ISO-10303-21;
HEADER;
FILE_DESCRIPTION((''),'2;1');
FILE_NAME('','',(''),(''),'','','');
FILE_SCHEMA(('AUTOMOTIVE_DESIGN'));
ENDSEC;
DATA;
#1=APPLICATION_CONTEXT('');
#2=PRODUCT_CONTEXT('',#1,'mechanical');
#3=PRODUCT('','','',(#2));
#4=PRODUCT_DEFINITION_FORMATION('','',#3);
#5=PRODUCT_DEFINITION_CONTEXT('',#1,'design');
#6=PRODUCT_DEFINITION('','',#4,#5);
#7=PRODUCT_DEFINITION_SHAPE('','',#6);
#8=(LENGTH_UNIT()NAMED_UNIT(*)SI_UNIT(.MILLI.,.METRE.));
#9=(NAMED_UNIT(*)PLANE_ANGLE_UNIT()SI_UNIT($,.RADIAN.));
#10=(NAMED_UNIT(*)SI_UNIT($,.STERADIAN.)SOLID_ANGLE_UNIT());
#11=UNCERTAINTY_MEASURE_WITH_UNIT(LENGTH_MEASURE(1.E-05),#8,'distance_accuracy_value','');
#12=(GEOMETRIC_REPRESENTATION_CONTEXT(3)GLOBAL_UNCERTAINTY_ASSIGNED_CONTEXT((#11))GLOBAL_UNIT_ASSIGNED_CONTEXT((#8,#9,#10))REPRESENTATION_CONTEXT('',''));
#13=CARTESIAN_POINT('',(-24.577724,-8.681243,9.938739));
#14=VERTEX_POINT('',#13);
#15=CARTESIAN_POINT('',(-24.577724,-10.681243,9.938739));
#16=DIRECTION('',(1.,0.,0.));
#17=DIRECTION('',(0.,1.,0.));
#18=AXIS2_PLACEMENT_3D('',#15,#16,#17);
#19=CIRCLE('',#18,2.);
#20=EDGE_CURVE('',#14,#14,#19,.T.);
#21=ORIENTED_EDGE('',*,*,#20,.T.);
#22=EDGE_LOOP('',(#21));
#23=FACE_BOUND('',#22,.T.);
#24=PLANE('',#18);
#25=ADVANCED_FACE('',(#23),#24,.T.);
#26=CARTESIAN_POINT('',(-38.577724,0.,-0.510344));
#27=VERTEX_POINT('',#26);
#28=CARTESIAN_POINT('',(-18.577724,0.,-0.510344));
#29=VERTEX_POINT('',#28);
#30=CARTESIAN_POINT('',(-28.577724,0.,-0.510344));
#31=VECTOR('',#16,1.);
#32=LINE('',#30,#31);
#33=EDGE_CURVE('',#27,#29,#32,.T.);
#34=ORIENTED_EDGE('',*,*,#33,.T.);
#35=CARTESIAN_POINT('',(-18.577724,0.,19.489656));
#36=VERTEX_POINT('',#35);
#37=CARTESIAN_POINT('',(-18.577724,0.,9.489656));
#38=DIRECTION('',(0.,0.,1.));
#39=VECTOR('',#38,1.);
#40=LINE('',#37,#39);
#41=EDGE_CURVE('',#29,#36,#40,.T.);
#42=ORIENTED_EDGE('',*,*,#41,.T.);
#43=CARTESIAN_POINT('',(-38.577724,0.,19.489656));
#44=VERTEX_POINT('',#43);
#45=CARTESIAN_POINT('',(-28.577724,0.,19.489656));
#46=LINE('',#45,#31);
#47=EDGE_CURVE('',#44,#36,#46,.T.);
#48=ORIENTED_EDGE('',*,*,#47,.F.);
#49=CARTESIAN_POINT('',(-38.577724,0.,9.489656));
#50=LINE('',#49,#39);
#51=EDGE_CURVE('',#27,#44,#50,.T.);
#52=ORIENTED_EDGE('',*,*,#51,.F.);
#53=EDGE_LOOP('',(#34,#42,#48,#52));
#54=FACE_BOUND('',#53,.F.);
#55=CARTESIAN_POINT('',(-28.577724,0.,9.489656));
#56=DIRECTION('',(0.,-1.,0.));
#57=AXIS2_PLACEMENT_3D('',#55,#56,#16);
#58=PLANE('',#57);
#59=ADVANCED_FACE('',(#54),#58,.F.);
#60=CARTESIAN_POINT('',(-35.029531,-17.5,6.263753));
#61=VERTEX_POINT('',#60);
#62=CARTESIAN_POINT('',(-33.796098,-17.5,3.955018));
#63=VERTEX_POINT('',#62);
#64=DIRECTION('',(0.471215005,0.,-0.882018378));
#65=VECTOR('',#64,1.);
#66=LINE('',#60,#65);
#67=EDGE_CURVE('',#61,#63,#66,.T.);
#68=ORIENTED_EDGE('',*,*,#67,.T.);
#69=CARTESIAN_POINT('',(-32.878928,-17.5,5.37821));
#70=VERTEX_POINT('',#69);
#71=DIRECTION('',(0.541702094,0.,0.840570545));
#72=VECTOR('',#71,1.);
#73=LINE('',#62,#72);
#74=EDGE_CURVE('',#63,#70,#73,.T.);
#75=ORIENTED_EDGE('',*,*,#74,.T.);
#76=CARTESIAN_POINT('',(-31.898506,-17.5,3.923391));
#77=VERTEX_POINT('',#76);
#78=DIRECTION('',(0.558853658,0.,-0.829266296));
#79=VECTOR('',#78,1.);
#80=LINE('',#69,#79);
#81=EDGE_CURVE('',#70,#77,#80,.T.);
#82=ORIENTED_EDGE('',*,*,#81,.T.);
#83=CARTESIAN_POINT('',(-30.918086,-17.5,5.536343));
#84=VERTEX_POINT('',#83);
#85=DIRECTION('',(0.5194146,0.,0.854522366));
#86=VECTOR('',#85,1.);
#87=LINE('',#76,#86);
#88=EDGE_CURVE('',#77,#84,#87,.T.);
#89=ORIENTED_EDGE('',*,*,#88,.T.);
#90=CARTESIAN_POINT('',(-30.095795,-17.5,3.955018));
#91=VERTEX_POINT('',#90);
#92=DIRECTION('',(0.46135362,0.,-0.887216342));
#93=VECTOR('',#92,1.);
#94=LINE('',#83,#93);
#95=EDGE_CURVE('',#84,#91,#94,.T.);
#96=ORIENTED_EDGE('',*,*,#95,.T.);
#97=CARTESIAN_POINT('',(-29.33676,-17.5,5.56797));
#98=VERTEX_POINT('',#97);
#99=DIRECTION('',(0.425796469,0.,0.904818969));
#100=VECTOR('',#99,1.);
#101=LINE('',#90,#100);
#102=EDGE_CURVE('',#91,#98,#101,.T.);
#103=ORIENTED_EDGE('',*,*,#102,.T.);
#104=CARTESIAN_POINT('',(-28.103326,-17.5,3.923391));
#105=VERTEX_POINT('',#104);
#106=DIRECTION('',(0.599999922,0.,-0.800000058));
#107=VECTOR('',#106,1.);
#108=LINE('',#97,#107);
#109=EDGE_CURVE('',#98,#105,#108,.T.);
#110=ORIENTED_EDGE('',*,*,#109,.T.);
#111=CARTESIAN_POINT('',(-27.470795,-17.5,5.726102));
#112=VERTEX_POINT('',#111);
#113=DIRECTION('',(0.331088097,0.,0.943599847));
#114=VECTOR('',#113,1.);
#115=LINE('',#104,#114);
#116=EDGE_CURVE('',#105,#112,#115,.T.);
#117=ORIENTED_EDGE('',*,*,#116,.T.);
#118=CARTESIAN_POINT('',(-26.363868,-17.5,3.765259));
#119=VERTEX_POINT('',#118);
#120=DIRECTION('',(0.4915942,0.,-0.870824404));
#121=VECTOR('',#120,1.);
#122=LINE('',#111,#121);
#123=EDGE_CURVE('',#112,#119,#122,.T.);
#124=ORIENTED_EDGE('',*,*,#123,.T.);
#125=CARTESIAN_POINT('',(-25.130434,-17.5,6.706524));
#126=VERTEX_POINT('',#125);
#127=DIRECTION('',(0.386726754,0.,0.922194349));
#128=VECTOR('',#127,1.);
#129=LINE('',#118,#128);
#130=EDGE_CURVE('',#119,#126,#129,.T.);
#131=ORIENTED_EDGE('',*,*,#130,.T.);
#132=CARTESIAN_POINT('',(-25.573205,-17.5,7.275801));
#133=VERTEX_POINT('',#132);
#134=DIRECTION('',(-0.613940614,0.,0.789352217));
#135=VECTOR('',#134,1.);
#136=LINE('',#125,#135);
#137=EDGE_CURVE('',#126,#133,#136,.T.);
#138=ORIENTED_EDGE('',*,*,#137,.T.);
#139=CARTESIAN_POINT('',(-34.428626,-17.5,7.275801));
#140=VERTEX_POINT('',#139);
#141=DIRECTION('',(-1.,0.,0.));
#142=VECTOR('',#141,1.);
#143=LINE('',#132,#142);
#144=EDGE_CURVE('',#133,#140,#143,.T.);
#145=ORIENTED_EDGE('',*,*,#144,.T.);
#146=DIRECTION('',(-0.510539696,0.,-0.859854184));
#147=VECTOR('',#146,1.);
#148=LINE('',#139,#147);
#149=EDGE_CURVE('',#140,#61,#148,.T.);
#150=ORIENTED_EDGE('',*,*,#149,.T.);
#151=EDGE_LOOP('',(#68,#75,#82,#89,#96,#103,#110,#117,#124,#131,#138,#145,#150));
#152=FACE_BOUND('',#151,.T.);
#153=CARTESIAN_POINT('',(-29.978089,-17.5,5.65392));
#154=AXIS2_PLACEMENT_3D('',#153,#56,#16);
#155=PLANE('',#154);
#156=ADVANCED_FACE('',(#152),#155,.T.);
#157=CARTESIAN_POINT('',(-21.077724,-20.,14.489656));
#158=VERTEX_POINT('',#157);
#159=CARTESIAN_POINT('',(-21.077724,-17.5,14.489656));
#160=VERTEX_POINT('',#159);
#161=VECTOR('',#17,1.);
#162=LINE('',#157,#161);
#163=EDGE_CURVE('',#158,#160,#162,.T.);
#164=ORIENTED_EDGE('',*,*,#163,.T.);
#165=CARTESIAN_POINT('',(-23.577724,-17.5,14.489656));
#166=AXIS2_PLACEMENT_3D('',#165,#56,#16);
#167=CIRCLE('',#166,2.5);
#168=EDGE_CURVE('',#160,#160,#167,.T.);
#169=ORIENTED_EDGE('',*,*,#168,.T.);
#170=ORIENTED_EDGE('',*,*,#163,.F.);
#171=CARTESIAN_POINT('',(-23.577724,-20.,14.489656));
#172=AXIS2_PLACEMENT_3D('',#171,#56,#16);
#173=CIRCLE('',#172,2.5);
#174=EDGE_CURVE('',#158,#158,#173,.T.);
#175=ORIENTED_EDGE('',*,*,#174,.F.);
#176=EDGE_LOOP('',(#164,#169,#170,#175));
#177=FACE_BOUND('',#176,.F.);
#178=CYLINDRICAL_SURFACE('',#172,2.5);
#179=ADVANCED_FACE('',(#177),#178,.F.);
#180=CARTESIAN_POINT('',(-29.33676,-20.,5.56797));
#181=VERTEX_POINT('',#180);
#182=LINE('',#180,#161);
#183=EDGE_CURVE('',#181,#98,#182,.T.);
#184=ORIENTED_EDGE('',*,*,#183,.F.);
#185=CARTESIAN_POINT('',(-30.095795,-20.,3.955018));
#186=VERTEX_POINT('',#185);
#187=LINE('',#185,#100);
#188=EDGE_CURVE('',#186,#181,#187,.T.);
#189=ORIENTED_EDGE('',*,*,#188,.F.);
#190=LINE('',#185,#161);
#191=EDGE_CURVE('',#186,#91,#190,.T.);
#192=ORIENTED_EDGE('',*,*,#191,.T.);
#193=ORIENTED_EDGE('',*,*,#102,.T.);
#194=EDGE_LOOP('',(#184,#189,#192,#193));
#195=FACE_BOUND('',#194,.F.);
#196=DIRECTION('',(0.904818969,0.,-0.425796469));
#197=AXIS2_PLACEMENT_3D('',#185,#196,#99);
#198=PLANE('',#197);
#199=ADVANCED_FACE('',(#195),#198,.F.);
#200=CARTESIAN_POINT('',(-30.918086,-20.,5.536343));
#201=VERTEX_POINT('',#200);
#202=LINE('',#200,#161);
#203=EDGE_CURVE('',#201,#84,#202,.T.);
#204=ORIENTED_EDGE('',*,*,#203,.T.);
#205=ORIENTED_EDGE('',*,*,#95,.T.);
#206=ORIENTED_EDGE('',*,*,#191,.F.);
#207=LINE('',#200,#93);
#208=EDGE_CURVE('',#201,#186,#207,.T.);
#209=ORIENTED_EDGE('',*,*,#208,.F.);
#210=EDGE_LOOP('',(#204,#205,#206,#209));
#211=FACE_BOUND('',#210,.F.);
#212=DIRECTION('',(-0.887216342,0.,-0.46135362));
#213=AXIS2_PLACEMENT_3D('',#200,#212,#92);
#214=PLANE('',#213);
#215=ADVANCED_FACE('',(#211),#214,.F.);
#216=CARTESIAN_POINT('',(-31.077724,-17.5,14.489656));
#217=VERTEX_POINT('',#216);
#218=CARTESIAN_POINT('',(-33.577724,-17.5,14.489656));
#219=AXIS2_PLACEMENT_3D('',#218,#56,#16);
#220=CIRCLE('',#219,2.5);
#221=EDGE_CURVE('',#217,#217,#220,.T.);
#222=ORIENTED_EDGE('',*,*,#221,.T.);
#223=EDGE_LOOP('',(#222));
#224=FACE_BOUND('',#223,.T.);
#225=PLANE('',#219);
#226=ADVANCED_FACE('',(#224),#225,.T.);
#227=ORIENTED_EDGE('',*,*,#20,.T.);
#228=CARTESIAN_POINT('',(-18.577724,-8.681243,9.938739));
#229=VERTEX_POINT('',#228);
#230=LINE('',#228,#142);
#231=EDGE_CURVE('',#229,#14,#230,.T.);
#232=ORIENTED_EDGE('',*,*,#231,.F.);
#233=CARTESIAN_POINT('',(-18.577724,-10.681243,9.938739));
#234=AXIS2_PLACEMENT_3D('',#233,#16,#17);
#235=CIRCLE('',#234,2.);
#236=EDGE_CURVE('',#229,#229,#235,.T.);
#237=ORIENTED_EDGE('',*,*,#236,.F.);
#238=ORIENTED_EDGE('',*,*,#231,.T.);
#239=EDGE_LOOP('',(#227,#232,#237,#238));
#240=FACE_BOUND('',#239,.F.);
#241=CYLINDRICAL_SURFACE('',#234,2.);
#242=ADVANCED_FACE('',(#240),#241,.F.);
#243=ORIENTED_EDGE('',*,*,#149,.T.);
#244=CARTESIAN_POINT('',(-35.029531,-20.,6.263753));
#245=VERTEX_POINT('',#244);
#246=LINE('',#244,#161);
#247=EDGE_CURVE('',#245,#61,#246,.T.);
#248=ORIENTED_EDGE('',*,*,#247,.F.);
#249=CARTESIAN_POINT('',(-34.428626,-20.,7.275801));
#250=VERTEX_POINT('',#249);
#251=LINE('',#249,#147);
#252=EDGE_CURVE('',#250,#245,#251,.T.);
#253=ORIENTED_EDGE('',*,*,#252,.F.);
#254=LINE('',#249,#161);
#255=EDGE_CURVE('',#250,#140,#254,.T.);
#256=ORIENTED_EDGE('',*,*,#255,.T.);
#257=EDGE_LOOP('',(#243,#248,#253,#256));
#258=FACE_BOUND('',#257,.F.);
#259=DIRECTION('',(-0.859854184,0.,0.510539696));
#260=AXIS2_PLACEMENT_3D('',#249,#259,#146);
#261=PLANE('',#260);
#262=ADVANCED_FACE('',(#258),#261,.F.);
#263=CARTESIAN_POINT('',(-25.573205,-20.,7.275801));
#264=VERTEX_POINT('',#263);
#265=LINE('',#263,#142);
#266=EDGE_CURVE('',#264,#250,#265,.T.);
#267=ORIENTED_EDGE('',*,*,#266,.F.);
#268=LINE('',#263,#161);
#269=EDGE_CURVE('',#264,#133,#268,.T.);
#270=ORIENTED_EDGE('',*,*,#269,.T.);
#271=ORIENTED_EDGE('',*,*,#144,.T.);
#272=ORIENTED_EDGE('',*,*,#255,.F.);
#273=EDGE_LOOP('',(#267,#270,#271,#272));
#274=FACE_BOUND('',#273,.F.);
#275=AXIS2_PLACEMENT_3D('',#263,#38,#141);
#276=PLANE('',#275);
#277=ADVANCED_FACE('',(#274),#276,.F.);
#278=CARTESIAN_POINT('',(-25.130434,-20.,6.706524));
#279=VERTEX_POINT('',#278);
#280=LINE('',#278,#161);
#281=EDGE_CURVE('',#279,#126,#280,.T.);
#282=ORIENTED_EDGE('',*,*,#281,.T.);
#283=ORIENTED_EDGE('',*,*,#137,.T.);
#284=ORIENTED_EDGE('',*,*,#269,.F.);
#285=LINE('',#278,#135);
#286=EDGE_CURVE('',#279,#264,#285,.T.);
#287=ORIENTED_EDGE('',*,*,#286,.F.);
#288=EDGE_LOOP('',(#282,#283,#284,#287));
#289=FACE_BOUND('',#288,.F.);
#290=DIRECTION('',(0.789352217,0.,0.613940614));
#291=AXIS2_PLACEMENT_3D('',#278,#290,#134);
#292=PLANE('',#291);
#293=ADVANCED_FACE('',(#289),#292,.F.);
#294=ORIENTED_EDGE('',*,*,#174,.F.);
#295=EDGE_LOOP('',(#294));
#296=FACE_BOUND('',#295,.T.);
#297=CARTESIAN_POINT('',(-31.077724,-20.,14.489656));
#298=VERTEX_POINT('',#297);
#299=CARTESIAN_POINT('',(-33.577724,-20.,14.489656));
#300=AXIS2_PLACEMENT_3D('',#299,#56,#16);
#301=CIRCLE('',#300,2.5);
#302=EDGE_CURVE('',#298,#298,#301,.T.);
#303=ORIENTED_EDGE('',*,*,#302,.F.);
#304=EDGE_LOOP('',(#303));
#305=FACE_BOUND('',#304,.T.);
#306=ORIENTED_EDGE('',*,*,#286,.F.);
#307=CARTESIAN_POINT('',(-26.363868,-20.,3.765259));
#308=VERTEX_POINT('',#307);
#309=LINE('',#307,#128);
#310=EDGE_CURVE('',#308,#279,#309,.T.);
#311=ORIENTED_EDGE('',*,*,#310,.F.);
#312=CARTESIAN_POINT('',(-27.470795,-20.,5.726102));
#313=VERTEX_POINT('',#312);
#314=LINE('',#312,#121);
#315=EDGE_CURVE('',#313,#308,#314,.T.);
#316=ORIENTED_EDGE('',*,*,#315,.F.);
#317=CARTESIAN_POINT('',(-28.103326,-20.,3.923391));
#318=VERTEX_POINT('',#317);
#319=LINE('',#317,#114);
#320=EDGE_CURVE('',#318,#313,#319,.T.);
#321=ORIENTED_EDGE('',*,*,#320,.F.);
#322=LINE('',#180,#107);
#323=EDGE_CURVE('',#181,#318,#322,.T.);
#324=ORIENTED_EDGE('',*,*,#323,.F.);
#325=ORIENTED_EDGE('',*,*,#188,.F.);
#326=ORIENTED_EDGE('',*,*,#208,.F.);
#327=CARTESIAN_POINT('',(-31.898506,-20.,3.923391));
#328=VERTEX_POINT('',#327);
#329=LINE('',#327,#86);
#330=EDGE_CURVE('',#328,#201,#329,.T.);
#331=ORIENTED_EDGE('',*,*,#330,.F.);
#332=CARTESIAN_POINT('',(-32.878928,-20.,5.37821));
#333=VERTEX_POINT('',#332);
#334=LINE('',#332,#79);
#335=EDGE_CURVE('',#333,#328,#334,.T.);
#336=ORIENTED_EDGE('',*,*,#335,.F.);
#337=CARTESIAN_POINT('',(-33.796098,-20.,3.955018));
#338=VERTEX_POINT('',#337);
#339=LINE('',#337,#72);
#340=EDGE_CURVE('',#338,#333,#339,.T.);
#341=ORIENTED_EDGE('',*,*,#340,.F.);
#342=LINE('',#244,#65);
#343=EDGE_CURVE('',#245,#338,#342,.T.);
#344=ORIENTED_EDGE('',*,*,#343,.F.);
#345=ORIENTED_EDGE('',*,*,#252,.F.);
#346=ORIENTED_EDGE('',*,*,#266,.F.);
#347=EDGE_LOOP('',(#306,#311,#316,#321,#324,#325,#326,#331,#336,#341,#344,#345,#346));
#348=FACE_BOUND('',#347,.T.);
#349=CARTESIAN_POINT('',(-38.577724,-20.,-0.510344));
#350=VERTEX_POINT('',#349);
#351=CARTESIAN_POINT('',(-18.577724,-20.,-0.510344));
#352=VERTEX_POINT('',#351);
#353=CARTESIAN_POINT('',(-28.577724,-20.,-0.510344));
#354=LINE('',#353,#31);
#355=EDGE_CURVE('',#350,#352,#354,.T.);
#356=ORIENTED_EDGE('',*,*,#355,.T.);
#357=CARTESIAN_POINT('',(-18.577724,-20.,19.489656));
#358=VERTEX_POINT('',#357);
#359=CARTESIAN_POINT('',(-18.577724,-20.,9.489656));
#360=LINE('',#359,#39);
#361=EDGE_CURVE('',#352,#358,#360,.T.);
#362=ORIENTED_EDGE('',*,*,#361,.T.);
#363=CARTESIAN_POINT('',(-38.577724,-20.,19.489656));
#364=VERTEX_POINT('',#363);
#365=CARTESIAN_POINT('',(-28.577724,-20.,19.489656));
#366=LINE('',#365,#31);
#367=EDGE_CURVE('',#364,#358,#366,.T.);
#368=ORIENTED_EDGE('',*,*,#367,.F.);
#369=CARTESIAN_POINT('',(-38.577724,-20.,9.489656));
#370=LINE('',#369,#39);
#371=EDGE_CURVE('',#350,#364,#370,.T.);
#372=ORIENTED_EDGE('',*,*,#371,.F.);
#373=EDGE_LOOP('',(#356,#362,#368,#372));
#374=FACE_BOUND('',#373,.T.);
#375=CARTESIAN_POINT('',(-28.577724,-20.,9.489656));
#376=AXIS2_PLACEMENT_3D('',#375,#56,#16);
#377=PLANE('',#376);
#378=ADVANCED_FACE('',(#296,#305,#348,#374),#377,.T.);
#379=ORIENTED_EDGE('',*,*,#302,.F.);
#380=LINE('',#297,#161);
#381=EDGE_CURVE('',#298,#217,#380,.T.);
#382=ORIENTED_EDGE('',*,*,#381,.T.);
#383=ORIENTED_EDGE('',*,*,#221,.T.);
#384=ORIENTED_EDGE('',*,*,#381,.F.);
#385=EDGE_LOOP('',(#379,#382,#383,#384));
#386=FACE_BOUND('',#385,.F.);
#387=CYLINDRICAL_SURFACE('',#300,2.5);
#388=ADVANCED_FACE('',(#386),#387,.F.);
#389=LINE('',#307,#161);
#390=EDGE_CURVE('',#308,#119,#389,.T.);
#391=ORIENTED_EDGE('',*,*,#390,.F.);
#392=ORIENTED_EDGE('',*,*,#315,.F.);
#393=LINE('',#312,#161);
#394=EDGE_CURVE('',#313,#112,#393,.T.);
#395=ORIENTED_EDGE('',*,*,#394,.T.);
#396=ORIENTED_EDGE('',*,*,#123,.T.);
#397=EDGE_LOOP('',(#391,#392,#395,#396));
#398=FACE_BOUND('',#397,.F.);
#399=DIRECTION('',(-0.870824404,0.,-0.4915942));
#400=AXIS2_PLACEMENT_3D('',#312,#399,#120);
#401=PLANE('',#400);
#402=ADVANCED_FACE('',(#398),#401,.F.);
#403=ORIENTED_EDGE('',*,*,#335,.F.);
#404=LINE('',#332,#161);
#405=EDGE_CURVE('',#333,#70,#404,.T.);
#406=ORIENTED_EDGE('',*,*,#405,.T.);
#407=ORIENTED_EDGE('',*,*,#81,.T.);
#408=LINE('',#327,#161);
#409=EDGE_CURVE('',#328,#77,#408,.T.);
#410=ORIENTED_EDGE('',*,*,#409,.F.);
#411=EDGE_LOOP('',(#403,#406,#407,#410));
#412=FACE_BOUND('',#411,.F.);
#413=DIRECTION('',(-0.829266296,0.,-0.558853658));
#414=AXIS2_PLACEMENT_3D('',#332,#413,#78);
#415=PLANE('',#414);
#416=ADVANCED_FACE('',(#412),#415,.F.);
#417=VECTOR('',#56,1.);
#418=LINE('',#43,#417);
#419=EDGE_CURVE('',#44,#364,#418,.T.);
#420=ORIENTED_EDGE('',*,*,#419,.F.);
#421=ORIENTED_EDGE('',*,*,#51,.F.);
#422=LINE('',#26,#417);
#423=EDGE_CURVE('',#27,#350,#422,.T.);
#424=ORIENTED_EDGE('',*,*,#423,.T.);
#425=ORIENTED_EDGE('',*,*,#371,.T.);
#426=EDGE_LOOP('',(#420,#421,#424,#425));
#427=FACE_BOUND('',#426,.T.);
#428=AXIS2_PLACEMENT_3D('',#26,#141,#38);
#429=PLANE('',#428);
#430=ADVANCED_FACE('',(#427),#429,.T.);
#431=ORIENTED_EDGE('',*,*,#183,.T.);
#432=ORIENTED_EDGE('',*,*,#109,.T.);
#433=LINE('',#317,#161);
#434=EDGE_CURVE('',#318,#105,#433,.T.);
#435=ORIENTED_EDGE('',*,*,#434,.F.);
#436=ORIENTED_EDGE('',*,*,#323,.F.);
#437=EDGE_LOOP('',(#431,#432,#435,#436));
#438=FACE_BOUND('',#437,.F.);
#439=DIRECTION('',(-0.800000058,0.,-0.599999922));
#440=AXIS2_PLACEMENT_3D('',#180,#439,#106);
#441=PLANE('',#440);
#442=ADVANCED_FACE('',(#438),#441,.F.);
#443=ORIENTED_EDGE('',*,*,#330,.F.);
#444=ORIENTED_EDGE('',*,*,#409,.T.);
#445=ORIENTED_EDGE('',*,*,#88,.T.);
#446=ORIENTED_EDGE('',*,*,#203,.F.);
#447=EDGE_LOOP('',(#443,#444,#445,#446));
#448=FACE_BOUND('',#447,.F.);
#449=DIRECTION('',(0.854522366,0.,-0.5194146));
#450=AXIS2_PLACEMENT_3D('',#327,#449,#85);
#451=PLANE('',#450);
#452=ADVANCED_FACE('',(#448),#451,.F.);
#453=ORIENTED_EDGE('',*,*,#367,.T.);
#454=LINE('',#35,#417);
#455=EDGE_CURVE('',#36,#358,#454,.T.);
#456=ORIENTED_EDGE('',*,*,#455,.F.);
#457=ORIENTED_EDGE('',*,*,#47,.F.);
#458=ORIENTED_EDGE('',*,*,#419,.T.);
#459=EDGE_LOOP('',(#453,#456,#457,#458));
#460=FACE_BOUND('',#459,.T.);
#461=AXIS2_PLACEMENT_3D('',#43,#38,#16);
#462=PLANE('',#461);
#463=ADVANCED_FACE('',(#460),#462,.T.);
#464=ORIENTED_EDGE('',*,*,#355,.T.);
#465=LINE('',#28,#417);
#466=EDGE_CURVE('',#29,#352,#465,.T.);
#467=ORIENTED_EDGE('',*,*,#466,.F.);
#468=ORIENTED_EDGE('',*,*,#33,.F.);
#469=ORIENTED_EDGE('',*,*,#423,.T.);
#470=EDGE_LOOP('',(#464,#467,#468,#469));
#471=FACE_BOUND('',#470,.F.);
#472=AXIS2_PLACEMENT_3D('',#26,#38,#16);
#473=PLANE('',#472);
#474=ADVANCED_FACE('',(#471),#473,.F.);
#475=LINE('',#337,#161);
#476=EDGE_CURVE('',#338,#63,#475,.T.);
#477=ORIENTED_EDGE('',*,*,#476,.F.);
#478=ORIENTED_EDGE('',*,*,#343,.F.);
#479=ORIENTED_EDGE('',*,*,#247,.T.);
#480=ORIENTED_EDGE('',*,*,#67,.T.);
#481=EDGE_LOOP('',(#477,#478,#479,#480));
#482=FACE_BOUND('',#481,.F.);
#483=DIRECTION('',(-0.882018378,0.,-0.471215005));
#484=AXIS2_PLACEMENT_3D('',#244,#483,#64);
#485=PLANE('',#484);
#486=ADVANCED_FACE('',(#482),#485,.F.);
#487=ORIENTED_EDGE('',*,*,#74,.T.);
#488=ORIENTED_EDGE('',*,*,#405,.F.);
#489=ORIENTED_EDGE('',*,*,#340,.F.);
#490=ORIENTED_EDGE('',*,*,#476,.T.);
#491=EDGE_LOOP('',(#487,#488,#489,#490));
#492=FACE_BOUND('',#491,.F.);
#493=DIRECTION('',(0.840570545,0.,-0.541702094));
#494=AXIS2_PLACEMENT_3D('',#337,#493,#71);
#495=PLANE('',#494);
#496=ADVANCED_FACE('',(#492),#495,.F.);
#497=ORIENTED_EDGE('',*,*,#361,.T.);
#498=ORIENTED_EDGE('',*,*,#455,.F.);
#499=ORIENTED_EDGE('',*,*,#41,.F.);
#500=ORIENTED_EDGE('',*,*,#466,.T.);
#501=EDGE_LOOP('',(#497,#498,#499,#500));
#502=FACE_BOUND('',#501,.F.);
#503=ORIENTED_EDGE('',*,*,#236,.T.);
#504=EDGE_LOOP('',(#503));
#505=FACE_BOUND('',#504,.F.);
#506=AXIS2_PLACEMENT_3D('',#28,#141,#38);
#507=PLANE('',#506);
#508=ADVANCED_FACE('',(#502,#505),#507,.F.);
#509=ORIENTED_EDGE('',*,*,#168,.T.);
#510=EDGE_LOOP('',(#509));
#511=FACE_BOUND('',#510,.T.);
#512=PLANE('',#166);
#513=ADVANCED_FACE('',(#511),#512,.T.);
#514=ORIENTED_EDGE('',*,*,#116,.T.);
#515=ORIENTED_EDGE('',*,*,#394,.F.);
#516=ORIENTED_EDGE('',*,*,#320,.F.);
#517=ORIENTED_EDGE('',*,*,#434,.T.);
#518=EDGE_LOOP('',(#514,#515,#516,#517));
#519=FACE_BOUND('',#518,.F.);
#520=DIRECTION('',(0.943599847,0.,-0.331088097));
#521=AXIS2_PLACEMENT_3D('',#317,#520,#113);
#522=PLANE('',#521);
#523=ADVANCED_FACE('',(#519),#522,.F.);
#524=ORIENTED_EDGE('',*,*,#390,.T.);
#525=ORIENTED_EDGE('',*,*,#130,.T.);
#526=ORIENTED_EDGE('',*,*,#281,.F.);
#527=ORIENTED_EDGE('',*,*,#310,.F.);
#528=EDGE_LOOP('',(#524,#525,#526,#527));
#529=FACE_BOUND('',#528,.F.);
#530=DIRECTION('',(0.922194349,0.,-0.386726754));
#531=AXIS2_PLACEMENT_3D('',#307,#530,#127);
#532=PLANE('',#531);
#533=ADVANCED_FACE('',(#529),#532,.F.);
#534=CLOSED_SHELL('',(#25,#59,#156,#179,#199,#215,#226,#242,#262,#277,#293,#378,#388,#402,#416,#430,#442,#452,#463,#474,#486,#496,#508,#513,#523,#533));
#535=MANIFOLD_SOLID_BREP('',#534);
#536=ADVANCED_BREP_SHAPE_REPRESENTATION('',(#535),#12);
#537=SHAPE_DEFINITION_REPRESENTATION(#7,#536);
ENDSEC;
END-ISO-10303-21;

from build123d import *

# Parameters (mm, degrees)
F0_W     = 20
F0_H     = 20
F1_DEPTH = 20
F2_R     = 2.5
F3_DEPTH = 2.5
F4_R     = 2.5
F5_DEPTH = 2.5
F7_DEPTH = 2.5
F8_R     = 2
F9_DEPTH = 6


with BuildPart() as f1:
    # F0 (on Front) → F1 (new body)
    with BuildSketch(Plane.XZ):
        with Locations((-28.577724, 9.489656)):
            Rectangle(F0_W, F0_H)
    extrude(amount=F1_DEPTH)

    # F2 (on face) → F3 (cut)
    with BuildSketch(Plane.XZ.offset(20)):
        with Locations((-33.577724, 14.489656)):
            Circle(F2_R)
    extrude(amount=-F3_DEPTH, mode=Mode.SUBTRACT)

    # F4 (on face) → F5 (cut)
    with BuildSketch(Plane.XZ.offset(20)):
        with Locations((-23.577724, 14.489656)):
            Circle(F4_R)
    extrude(amount=-F5_DEPTH, mode=Mode.SUBTRACT)

    # F6 (on face) → F7 (cut)
    with BuildSketch(Plane.XZ.offset(20)):
        Polygon((-34.428626, 7.275801), (-35.029531, 6.263753), (-33.796098, 3.955018), (-32.878928, 5.37821), (-31.898506, 3.923391), (-30.918086, 5.536343), (-30.095795, 3.955018), (-29.33676, 5.56797), (-28.103326, 3.923391), (-27.470795, 5.726102), (-26.363868, 3.765259), (-25.130434, 6.706524), (-25.573205, 7.275801), align=None)
    extrude(amount=-F7_DEPTH, mode=Mode.SUBTRACT)

    # F8 (on face) → F9 (cut)
    with BuildSketch(Plane.YZ.offset(-18.577724)):
        with Locations((-10.681243, 9.938739)):
            Circle(F8_R)
    extrude(amount=-F9_DEPTH, mode=Mode.SUBTRACT)


solid = f1.part
